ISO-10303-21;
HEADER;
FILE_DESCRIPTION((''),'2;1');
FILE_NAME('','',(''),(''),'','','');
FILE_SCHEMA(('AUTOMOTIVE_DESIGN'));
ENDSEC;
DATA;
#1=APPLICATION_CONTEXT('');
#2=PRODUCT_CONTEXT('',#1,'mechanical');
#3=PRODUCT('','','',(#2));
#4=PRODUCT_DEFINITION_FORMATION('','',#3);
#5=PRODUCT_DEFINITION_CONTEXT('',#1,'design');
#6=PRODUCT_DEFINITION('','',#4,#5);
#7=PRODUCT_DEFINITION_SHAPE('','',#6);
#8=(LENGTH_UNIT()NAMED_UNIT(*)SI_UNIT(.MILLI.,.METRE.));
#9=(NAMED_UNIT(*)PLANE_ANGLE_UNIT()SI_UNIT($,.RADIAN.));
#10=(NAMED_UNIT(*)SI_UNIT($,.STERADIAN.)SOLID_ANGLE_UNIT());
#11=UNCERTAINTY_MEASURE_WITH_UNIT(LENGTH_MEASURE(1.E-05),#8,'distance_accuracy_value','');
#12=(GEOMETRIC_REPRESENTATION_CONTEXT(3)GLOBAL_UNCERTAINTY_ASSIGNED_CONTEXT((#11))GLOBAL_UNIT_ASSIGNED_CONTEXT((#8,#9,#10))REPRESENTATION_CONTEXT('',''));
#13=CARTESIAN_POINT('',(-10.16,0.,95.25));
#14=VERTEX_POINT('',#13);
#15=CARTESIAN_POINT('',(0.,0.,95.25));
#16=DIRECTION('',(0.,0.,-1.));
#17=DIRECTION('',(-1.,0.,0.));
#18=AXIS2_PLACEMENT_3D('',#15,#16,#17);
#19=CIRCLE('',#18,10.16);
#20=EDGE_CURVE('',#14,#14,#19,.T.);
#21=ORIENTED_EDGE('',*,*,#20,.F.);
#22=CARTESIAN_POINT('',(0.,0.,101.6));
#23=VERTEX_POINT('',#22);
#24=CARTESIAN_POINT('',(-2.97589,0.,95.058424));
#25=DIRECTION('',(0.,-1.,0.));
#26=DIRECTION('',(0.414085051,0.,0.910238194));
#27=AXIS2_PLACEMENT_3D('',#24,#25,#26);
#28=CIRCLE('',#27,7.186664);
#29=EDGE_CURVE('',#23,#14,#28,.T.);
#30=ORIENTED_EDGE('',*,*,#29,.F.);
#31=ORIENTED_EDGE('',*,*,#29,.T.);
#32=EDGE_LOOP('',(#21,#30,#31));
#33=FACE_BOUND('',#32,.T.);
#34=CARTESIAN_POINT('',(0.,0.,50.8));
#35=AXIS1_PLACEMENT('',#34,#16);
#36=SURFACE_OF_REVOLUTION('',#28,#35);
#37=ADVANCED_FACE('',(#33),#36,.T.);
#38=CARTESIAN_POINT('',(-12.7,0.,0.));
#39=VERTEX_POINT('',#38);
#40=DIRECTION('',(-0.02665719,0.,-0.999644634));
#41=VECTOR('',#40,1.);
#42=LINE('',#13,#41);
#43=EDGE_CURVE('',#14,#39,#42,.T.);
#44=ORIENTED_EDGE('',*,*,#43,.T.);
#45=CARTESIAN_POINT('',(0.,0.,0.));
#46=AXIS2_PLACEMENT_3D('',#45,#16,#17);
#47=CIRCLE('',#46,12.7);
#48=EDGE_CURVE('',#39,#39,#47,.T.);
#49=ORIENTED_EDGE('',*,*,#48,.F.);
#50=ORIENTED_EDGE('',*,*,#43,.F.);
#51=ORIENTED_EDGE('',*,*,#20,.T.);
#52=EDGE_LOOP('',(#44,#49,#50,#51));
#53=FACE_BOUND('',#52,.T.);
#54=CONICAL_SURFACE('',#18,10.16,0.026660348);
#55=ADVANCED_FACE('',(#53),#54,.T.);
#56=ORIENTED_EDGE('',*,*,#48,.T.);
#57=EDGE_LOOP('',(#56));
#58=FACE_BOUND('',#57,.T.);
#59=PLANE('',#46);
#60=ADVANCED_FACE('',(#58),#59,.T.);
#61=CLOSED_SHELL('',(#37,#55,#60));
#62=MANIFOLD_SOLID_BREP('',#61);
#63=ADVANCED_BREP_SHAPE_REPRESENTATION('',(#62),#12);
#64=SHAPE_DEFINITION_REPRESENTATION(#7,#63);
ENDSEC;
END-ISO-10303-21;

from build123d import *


with BuildPart() as f1:
    # F0 (on Front) → F1 (revolve)
    with BuildSketch(Plane.XZ):
        with BuildLine():
            Line((0, 0), (0, 101.6))
            ThreePointArc((0, 101.6), (-6.784814, 101.152703), (-10.16, 95.25))
            Line((-10.16, 95.25), (-12.7, 0))
            Line((-12.7, 0), (0, 0))
        make_face()
    revolve(axis=Axis((0, 0, 50.8), (0, 0, -1)))


solid = f1.part
